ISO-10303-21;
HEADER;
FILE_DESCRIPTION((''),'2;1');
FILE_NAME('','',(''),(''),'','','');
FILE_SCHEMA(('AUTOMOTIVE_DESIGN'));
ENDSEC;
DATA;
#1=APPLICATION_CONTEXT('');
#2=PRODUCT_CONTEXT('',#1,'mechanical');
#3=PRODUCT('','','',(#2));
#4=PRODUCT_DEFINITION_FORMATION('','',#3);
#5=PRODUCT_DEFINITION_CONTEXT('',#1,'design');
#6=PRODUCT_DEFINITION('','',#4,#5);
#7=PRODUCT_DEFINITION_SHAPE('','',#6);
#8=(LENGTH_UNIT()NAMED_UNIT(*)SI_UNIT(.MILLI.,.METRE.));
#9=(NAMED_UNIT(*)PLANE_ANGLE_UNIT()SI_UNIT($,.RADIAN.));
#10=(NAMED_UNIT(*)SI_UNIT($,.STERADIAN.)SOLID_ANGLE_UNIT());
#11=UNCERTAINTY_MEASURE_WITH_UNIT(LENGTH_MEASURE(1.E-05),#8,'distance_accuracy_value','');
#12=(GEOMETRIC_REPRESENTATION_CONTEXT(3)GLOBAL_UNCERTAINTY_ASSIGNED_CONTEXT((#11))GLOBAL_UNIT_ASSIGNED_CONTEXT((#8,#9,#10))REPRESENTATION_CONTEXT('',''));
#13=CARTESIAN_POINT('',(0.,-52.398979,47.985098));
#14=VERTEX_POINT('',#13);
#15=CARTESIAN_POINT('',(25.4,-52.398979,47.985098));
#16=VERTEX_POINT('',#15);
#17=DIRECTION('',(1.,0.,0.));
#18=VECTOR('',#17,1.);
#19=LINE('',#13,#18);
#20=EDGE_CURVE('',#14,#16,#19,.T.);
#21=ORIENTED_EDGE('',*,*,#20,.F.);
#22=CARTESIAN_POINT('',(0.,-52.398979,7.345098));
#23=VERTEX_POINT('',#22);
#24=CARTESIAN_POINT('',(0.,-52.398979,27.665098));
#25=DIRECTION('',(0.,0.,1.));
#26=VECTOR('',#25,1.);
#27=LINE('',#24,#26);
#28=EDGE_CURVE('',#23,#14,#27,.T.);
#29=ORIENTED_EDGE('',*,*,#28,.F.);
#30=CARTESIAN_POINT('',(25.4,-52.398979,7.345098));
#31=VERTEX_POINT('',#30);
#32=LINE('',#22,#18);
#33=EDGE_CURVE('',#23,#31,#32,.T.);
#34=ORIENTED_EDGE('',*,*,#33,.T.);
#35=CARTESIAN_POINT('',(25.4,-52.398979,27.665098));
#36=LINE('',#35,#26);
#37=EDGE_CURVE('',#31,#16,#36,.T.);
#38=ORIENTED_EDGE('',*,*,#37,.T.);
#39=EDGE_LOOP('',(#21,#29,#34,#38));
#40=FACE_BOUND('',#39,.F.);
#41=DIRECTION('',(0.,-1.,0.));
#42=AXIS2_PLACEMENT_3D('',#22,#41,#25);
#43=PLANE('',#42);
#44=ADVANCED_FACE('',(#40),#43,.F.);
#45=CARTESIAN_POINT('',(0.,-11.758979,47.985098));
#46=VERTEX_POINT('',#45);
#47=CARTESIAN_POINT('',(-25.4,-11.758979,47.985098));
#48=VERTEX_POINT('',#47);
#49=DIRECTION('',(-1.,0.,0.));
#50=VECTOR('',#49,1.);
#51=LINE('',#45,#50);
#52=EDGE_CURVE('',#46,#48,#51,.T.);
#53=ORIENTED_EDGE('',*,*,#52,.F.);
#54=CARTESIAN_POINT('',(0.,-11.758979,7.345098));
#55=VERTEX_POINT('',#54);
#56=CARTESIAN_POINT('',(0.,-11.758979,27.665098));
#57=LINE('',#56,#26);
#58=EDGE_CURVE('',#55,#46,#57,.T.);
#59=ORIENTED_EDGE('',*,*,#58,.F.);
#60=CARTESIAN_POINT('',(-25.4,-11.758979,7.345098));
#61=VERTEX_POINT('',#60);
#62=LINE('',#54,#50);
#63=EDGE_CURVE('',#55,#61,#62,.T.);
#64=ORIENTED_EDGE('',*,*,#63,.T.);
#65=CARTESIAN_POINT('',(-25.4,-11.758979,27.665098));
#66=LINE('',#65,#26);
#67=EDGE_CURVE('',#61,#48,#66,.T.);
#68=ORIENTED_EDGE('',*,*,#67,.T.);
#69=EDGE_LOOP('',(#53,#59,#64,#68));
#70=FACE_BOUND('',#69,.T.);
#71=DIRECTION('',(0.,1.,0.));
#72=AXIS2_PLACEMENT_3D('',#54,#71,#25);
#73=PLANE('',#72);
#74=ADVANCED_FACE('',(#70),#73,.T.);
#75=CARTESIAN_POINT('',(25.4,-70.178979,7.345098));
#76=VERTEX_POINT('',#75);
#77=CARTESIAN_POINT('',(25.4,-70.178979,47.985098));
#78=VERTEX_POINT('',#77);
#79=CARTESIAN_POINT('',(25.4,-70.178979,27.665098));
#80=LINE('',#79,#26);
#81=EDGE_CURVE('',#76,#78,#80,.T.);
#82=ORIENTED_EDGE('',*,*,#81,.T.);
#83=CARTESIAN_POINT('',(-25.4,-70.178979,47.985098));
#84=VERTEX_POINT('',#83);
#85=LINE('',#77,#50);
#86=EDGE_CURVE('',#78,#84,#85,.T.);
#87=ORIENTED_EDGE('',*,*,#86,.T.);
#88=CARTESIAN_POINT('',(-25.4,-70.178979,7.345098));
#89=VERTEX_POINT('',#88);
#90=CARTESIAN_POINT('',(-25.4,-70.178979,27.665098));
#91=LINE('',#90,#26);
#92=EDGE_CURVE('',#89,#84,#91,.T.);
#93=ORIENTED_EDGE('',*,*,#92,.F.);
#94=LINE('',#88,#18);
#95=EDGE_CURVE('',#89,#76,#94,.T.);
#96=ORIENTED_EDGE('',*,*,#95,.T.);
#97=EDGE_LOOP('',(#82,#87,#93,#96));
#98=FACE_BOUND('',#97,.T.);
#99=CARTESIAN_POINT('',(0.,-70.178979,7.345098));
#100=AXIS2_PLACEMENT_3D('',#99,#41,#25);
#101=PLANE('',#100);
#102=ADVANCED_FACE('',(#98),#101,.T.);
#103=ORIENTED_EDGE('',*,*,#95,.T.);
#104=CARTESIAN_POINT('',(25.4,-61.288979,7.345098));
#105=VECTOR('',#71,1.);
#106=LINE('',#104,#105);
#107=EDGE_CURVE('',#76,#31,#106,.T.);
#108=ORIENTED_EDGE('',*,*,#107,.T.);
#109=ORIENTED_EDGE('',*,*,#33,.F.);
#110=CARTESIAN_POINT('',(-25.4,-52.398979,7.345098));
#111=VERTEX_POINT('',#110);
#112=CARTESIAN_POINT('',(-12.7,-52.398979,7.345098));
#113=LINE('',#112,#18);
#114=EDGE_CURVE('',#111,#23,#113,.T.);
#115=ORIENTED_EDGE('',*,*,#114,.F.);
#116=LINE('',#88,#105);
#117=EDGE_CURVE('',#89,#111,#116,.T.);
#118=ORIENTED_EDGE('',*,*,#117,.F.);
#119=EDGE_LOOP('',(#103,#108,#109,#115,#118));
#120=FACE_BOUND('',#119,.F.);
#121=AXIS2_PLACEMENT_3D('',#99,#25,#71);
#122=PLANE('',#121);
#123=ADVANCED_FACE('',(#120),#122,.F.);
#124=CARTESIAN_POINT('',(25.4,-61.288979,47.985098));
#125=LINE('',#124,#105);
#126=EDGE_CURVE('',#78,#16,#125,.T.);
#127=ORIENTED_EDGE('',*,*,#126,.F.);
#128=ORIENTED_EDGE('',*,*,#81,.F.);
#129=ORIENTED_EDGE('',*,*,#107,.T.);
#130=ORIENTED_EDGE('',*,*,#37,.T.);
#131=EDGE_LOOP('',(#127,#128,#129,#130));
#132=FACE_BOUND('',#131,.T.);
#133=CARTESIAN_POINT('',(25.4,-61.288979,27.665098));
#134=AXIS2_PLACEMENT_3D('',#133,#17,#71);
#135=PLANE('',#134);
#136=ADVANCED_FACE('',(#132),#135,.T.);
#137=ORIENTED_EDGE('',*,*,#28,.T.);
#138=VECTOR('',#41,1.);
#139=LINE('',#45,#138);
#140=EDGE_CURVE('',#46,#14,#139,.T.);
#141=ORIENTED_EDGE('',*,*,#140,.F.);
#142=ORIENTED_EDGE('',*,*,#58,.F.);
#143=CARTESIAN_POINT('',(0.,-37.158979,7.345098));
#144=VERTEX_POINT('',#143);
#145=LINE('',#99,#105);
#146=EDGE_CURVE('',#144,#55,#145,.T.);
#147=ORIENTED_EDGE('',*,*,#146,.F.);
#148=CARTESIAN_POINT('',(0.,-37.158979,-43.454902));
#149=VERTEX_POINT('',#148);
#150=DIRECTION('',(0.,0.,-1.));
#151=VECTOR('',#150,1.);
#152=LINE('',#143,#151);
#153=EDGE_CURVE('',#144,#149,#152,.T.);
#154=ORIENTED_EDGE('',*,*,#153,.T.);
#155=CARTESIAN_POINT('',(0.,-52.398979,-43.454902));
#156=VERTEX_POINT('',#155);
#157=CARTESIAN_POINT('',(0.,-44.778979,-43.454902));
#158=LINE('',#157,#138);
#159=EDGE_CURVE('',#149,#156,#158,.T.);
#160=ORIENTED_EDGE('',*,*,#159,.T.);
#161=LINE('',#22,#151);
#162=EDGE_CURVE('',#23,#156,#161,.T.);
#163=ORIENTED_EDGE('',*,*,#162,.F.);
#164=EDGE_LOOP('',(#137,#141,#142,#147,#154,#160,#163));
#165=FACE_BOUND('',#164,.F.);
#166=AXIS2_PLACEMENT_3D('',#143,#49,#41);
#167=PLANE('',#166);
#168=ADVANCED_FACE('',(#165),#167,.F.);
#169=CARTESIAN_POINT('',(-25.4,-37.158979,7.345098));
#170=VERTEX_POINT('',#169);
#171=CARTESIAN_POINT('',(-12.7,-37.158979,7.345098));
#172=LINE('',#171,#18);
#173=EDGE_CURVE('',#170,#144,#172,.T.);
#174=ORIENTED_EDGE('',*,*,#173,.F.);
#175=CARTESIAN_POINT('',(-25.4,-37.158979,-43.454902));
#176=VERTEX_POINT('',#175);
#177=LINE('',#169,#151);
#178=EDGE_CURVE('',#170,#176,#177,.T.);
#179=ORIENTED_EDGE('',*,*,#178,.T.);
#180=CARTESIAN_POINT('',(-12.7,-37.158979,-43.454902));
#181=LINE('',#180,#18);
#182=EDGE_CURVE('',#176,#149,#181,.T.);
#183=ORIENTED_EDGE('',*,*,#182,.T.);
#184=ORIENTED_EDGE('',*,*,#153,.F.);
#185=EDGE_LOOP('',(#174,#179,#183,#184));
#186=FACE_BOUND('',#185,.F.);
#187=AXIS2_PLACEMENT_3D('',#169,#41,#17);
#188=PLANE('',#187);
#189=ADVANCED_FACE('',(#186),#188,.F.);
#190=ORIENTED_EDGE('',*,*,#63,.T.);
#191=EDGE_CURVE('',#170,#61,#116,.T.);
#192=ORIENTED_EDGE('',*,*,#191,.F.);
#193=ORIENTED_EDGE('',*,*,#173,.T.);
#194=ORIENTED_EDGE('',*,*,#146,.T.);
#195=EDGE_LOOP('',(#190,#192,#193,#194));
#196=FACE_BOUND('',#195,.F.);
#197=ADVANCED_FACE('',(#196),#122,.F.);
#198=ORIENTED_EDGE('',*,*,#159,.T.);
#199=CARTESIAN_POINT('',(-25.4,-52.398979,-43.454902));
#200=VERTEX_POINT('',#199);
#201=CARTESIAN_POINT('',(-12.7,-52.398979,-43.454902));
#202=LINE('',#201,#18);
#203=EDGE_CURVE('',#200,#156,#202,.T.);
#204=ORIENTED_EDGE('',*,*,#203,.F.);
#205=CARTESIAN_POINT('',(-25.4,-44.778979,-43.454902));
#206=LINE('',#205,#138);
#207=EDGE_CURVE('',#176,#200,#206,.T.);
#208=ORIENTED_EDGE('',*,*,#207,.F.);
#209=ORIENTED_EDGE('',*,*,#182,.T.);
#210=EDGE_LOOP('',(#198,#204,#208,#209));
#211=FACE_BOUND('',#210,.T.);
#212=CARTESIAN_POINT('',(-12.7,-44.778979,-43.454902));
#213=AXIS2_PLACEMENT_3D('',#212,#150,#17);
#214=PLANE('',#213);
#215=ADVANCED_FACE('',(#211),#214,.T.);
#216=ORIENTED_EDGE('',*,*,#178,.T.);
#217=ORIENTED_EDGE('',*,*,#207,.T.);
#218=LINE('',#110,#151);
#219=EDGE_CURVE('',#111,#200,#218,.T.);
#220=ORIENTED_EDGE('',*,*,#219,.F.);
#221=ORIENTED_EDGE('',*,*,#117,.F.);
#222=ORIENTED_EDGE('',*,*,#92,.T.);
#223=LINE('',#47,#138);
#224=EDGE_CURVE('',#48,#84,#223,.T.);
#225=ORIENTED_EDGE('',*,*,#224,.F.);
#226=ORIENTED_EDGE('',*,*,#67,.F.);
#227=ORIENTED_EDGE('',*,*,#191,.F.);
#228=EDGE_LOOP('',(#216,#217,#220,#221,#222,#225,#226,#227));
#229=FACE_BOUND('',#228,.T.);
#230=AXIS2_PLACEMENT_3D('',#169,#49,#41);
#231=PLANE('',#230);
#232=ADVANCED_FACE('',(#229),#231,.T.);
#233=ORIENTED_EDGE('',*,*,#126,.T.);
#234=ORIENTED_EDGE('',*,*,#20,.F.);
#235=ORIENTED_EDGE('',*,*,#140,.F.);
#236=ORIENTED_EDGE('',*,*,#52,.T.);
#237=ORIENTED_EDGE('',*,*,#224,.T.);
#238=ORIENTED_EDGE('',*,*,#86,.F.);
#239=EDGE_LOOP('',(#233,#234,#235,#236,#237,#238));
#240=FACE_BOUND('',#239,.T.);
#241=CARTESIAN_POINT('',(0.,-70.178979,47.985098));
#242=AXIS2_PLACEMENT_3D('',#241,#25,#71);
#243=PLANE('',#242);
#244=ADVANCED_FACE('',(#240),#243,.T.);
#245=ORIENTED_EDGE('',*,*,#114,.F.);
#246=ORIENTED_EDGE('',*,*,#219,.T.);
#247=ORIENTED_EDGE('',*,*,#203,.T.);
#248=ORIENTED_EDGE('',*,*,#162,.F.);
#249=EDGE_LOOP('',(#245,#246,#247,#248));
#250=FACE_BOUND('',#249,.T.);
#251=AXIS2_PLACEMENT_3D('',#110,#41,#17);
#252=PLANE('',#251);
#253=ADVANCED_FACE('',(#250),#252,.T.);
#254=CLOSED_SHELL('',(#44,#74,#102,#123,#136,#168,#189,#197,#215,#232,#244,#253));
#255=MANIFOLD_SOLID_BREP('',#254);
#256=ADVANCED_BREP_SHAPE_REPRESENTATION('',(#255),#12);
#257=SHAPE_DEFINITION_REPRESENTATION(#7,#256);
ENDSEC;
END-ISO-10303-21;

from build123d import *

# Parameters (mm, degrees)
F0_W     = 40.64
F0_H     = 40.64
F0_W_2   = 17.78
F1_DEPTH = 25.4
F2_DEPTH = 25.4
F3_W     = 25.4
F3_H     = 15.24
F4_DEPTH = 50.8


with BuildPart() as f1:
    # F0 (on Right) → F1 (new body)
    with BuildSketch(Plane.YZ):
        with Locations((-32.078979, 27.665098)):
            Rectangle(F0_W, F0_H)
        with Locations((-61.288979, 27.665098)):
            Rectangle(F0_W_2, F0_H)
    extrude(amount=-F1_DEPTH)

    # F0 (on Right) → F2 (join)
    with BuildSketch(Plane.YZ):
        with Locations((-61.288979, 27.665098)):
            Rectangle(F0_W_2, F0_H)
    extrude(amount=F2_DEPTH)

    # F3 (on face) → F4 (join)
    with BuildSketch(Plane(origin=(0, 0, 7.345098), x_dir=(1, 0, 0), z_dir=(0, 0, -1))):
        with Locations((-12.7, 44.778979)):
            Rectangle(F3_W, F3_H)
    extrude(amount=F4_DEPTH)


solid = f1.part
